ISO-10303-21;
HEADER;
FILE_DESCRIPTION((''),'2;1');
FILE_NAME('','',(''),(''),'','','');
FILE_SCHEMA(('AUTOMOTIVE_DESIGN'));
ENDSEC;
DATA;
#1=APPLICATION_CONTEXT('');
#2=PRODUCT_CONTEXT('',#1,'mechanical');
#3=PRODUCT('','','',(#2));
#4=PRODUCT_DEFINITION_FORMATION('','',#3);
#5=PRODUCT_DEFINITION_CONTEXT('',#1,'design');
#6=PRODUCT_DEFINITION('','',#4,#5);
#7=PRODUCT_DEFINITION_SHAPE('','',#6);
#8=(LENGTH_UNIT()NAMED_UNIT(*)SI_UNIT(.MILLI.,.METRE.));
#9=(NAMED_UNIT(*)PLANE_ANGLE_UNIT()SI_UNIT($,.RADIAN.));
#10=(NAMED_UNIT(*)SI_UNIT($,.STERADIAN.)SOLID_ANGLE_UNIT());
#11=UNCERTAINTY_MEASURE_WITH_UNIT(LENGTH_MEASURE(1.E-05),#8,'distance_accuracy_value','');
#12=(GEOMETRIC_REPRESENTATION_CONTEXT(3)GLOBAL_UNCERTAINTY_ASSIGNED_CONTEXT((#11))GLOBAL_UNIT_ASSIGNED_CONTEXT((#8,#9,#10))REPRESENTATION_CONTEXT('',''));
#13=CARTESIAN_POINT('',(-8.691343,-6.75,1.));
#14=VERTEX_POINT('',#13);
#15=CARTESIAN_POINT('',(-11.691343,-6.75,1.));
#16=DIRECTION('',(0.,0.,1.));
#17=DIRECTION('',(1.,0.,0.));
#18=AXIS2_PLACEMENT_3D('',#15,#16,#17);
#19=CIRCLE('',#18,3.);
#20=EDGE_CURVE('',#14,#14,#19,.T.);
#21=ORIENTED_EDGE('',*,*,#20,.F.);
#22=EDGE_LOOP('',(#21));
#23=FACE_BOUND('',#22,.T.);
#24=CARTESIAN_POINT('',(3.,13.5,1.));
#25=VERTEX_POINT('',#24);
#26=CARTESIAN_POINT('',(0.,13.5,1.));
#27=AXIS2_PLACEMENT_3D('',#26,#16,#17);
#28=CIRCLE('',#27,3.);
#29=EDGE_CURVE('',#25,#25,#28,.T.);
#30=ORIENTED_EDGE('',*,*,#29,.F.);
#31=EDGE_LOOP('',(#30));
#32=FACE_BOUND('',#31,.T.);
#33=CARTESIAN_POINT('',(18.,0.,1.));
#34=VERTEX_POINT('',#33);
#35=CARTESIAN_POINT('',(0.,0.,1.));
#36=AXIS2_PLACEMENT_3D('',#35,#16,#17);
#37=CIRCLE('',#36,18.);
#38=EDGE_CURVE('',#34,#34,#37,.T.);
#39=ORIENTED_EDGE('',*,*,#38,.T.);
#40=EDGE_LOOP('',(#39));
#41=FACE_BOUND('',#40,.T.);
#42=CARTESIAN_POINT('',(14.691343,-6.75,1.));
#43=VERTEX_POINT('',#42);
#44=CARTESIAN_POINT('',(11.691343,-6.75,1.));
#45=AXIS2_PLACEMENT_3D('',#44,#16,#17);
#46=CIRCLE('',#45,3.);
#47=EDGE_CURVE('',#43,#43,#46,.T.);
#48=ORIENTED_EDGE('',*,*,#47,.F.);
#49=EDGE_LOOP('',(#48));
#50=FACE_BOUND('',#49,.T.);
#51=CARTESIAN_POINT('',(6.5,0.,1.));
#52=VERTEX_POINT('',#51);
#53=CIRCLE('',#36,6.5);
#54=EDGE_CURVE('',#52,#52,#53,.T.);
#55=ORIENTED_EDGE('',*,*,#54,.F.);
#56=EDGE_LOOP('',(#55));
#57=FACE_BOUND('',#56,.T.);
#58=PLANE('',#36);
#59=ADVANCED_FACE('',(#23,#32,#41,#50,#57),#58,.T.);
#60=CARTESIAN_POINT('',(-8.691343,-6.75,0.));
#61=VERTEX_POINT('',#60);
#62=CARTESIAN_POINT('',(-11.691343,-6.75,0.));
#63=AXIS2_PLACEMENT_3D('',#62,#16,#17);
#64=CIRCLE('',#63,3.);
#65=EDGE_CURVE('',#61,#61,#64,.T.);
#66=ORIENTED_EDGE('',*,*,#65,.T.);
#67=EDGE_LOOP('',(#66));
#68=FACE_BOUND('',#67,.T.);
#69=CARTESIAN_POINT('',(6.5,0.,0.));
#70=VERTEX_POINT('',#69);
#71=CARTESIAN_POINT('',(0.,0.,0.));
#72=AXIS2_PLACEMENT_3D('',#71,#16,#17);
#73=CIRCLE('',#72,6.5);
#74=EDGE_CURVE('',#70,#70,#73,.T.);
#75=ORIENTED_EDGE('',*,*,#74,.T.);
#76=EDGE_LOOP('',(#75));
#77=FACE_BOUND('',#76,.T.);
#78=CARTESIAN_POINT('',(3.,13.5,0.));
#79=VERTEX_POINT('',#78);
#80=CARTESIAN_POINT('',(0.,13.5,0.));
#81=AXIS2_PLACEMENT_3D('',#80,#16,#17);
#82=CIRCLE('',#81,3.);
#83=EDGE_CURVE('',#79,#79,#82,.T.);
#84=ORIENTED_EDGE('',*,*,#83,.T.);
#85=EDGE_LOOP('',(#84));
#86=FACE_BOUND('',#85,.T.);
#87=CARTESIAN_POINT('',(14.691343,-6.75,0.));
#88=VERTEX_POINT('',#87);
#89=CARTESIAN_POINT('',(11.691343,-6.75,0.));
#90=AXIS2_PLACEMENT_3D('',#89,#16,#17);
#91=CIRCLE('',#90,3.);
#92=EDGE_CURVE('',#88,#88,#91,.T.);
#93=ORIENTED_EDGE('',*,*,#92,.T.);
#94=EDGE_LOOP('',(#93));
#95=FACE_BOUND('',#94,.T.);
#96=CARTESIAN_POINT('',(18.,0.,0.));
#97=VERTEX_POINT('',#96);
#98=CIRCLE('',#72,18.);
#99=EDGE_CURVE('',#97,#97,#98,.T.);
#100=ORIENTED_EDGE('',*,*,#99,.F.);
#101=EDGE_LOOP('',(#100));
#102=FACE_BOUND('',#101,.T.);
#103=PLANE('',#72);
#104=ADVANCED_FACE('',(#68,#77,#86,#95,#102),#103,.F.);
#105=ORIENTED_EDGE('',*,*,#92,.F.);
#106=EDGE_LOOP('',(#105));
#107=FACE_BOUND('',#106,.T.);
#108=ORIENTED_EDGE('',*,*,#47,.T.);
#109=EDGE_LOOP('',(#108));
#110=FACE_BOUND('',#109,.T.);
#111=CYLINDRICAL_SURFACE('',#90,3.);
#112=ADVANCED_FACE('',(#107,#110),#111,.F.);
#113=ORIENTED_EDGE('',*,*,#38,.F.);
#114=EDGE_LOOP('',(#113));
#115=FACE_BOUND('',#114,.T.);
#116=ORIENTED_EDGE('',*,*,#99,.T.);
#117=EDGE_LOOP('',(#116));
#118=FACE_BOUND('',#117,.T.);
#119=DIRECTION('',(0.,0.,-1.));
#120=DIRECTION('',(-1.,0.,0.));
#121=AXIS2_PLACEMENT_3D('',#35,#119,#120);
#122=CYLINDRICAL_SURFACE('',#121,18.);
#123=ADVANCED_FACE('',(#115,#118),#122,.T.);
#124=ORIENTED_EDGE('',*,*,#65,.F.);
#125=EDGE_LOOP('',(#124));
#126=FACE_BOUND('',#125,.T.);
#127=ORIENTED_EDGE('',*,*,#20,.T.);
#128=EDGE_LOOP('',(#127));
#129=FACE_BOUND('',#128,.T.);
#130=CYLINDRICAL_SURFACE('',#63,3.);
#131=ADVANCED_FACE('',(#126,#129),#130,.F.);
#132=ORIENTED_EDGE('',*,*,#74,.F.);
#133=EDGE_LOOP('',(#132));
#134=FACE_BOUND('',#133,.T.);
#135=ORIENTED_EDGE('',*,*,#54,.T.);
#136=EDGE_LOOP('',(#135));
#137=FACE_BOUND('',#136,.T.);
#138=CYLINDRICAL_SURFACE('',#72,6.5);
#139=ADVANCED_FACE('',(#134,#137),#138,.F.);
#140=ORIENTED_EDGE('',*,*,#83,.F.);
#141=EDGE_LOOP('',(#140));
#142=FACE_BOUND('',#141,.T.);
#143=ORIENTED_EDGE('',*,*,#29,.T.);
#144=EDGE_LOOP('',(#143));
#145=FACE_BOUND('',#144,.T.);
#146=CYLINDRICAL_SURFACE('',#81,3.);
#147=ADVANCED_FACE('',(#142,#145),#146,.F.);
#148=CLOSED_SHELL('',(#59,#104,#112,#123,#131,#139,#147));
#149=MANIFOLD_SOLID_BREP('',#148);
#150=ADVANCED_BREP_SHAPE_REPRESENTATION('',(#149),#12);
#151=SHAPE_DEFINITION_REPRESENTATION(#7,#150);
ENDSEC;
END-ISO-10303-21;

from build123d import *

# Parameters (mm, degrees)
CROQUIS1_R              = 18
SALIENTE_EXTRUIR2_DEPTH = 1
CROQUIS5_R              = 3
CROQUIS5_R_2            = 6.5
CORTAR_EXTRUIR3_DEPTH   = 1


with BuildPart() as part:
    # Croquis1 → Saliente-Extruir2 (new body)
    with BuildSketch(Plane.XY):
        Circle(CROQUIS1_R)
    extrude(amount=SALIENTE_EXTRUIR2_DEPTH)

    # Croquis5 → Cortar-Extruir3 (cut)
    with BuildSketch(Plane.XY.offset(1)):
        with Locations((0, 13.5)):
            Circle(CROQUIS5_R)
        with Locations((11.691342951, -6.75)):
            Circle(CROQUIS5_R)
        with Locations((-11.691342951, -6.75)):
            Circle(CROQUIS5_R)
        Circle(CROQUIS5_R_2)
    extrude(amount=-CORTAR_EXTRUIR3_DEPTH, mode=Mode.SUBTRACT)


solid = part.part
